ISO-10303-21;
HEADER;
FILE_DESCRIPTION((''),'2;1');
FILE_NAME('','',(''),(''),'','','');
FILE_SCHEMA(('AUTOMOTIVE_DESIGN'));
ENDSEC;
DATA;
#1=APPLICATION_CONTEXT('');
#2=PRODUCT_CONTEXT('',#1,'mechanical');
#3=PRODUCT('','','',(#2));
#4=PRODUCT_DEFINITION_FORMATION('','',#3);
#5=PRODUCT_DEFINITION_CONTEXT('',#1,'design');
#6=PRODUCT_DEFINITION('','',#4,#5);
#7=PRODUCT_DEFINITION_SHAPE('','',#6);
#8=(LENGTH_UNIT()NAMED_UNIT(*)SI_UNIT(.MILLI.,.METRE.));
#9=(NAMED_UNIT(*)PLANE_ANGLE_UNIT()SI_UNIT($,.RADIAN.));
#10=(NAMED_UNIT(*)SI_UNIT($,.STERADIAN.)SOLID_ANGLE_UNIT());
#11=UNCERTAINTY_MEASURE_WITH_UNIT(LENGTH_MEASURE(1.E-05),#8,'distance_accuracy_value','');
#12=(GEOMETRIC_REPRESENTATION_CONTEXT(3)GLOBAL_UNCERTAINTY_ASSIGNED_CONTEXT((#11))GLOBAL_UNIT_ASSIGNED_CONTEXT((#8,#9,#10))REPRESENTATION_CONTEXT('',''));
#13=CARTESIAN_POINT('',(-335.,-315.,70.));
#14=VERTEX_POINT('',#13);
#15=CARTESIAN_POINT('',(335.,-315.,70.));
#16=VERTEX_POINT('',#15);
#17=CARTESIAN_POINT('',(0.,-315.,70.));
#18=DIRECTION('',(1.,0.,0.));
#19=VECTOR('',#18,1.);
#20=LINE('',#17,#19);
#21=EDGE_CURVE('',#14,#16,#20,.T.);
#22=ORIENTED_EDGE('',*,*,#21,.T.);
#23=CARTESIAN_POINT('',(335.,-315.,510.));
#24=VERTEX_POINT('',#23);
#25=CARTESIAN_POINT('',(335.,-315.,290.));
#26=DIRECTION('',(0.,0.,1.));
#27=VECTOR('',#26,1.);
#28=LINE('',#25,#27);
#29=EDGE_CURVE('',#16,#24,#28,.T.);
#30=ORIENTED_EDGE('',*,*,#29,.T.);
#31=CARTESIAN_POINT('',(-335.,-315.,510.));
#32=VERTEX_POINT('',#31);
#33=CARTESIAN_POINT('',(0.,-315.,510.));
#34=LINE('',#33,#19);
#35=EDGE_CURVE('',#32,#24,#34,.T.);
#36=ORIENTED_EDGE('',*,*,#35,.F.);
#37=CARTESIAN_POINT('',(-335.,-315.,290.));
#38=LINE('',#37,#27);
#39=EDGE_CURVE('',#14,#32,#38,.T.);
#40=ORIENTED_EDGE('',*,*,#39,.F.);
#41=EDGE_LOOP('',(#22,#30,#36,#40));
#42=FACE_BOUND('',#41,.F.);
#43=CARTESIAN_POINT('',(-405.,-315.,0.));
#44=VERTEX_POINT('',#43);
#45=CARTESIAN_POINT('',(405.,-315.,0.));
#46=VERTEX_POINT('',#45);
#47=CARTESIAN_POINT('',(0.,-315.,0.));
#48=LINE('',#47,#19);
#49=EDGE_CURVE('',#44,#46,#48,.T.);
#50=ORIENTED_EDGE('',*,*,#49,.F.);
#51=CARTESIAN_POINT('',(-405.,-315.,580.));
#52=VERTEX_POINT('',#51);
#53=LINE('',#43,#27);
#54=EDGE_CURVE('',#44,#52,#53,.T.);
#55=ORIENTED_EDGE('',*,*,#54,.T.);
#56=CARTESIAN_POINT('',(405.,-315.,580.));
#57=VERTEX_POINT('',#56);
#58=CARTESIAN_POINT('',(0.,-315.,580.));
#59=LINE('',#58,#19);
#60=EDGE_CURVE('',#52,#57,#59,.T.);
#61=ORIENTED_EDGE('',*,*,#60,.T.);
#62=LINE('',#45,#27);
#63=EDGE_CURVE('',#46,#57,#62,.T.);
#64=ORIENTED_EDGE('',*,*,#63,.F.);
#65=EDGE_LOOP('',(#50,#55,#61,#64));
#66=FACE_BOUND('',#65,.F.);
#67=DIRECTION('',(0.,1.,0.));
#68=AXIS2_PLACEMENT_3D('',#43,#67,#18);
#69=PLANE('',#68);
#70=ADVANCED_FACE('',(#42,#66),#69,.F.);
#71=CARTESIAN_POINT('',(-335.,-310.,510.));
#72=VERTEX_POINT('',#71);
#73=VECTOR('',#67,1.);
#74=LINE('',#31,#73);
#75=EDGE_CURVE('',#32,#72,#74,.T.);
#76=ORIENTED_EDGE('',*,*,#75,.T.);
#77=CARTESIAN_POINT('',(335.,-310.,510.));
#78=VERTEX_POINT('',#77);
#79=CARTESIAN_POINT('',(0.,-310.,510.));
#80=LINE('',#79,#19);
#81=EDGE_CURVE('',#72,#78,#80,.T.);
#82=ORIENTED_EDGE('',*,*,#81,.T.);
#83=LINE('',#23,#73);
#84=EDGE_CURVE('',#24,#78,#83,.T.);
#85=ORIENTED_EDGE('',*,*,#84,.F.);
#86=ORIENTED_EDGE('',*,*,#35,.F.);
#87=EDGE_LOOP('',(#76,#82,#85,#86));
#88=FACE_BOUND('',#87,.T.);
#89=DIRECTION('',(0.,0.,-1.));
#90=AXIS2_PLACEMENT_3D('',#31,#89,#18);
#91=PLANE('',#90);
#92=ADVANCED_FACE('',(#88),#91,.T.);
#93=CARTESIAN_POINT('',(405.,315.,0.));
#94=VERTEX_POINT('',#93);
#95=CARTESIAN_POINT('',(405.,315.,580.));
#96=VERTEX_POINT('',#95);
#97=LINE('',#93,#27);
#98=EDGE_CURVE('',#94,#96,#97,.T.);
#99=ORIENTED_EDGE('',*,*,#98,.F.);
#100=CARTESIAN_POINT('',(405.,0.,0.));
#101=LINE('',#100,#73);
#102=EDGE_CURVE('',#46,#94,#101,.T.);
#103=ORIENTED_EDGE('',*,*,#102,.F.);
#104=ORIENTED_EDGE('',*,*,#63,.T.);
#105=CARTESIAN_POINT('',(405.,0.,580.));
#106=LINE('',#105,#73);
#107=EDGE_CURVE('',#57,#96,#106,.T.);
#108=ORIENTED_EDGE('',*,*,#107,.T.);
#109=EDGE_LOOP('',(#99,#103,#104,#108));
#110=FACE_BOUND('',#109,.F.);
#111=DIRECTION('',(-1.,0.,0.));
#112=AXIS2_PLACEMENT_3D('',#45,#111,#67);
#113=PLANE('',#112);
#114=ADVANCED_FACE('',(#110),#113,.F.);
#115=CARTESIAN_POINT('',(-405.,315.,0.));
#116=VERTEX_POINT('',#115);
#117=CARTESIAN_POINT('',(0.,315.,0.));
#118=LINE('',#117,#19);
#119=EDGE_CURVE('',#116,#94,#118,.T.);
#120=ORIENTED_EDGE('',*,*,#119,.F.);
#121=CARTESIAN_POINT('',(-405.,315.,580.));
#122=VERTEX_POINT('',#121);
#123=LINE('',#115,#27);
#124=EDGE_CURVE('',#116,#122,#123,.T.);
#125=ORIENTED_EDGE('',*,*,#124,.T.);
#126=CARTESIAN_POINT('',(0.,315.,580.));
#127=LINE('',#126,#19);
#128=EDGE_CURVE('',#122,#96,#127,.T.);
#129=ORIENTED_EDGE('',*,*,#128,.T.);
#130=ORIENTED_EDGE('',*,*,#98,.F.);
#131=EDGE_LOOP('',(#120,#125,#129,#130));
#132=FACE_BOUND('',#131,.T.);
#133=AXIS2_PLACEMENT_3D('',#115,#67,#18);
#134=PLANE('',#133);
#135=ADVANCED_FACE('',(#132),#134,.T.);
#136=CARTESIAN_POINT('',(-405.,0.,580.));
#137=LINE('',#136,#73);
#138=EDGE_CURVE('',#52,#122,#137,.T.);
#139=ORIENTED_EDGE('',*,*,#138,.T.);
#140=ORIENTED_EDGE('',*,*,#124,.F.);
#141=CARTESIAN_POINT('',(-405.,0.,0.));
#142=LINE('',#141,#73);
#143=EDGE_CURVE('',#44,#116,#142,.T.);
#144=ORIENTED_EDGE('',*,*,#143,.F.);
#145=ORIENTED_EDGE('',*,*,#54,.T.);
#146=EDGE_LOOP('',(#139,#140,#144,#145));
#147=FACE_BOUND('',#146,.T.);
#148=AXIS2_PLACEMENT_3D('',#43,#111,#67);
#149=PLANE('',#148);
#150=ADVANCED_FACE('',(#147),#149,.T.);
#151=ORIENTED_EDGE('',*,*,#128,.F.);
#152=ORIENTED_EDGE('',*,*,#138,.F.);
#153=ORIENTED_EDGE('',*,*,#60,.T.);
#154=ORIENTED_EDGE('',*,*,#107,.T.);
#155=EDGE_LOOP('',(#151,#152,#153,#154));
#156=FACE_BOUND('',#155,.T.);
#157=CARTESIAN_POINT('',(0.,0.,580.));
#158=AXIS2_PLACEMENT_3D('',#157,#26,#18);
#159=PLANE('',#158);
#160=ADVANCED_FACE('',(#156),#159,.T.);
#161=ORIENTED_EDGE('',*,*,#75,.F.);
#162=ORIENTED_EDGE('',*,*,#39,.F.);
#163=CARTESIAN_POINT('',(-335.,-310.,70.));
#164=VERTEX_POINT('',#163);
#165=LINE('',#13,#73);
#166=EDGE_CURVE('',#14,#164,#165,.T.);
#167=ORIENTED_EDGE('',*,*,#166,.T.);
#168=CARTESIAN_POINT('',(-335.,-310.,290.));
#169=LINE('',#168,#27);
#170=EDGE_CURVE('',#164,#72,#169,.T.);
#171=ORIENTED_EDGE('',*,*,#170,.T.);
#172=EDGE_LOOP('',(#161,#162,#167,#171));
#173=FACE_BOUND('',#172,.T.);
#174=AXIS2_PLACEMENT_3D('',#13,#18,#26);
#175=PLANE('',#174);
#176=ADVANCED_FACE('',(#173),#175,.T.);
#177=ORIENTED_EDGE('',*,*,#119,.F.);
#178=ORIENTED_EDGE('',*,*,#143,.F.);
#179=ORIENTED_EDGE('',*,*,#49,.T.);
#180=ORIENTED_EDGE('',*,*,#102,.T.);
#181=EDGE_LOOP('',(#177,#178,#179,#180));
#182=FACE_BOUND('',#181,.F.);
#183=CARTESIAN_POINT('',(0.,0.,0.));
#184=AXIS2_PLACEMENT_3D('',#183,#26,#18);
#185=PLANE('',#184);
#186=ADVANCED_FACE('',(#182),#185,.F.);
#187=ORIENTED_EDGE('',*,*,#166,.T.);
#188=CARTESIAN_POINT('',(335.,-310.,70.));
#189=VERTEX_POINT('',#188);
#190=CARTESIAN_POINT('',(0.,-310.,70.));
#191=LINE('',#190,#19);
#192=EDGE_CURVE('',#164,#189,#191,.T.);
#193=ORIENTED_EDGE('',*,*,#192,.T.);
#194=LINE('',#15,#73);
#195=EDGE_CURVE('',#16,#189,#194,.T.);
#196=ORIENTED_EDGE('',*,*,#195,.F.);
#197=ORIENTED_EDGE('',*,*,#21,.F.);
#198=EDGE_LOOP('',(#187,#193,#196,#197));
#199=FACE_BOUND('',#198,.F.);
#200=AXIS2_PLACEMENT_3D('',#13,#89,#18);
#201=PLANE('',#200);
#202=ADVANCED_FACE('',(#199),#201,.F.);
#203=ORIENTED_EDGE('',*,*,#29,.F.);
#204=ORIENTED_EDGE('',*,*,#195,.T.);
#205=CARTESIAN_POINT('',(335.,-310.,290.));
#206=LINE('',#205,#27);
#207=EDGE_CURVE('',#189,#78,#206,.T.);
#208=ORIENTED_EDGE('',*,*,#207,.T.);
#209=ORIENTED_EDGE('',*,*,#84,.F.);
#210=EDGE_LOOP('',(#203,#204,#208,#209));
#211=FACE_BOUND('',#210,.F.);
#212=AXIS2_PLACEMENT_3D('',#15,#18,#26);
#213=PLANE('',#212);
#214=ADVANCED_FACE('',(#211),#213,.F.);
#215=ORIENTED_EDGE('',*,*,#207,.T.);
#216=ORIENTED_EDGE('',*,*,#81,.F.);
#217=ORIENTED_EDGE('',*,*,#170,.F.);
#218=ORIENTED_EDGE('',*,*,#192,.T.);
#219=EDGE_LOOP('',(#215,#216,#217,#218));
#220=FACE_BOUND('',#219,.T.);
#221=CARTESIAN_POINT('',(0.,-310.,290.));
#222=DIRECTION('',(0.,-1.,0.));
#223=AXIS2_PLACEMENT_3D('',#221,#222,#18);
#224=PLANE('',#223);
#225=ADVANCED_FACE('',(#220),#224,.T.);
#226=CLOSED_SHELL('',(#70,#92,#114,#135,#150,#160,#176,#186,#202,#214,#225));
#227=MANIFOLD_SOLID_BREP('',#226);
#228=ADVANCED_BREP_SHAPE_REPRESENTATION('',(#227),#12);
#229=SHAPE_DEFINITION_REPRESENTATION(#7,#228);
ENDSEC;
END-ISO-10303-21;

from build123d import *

# Parameters (mm, degrees)
F0_W      = 810
F0_H      = 630
F1_DEPTH  = 580
F2_W      = 670
F2_H      = 440
F3_DEPTH  = 5
F5_DEPTH  = 300
F7_DEPTH  = 600
F9_DEPTH  = 300
F10_W     = 1600
F10_H     = 80
F11_DEPTH = 700


with BuildPart() as f1:
    # F0 (on Top) → F1 (new body)
    with BuildSketch(Plane.XY):
        Rectangle(F0_W, F0_H)
    extrude(amount=F1_DEPTH)

    # F2 (on face) → F3 (cut)
    with BuildSketch(Plane.XZ.offset(315)):
        with Locations((0, 290)):
            Rectangle(F2_W, F2_H)
    extrude(amount=-F3_DEPTH, mode=Mode.SUBTRACT)


with BuildPart() as f5:
    # F4 (on face) → F5 (new body)
    with BuildSketch(Plane(origin=(0, 315, 0), x_dir=(-1, 0, 0), z_dir=(0, 1, 0))):
        Polygon((-405, 1600), (-1605, 1600), (-1605, -400), (-405, -400), (-405, 0), (-405, 580), align=None)
    extrude(amount=-F5_DEPTH)


with BuildPart() as f7:
    # F6 (on face) → F7 (new body)
    with BuildSketch(Plane(origin=(0, 315, 0), x_dir=(-1, 0, 0), z_dir=(0, 1, 0))):
        Polygon((-405, 580), (405, 580), (405, 0), (705, 0), (705, 880), (-405, 880), (-805, 880), (-805, -400), (-405, -400), (-405, 0), align=None)
    extrude(amount=-F7_DEPTH)


with BuildPart() as f9_tool:
    # F8 (on face) → F9 (new body)
    with BuildSketch(Plane(origin=(0, 315, 0), x_dir=(-1, 0, 0), z_dir=(0, 1, 0))):
        Polygon((-405, 880), (-805, 880), (-805, -400), (-405, -400), (-405, 580), align=None)
    extrude(amount=-F9_DEPTH)


with BuildPart() as f5_1:
    add(f5.part)

    # F9: cut by f9_tool
    add(f9_tool.part, mode=Mode.SUBTRACT)


with BuildPart() as f7_1:
    add(f7.part)

    # F9: cut by f9_tool
    add(f9_tool.part, mode=Mode.SUBTRACT)


with BuildPart() as f11:
    # F10 (on face) → F11 (new body)
    with BuildSketch(Plane(origin=(0, 315, 0), x_dir=(-1, 0, 0), z_dir=(0, 1, 0))):
        Polygon((-405, 0), (-405, -80), (1105, -80), (1105, 0), (405, 0), align=None)
        with Locations((-1205, -40)):
            Rectangle(F10_W, F10_H)
    extrude(amount=-F11_DEPTH)


solid = f1.part
